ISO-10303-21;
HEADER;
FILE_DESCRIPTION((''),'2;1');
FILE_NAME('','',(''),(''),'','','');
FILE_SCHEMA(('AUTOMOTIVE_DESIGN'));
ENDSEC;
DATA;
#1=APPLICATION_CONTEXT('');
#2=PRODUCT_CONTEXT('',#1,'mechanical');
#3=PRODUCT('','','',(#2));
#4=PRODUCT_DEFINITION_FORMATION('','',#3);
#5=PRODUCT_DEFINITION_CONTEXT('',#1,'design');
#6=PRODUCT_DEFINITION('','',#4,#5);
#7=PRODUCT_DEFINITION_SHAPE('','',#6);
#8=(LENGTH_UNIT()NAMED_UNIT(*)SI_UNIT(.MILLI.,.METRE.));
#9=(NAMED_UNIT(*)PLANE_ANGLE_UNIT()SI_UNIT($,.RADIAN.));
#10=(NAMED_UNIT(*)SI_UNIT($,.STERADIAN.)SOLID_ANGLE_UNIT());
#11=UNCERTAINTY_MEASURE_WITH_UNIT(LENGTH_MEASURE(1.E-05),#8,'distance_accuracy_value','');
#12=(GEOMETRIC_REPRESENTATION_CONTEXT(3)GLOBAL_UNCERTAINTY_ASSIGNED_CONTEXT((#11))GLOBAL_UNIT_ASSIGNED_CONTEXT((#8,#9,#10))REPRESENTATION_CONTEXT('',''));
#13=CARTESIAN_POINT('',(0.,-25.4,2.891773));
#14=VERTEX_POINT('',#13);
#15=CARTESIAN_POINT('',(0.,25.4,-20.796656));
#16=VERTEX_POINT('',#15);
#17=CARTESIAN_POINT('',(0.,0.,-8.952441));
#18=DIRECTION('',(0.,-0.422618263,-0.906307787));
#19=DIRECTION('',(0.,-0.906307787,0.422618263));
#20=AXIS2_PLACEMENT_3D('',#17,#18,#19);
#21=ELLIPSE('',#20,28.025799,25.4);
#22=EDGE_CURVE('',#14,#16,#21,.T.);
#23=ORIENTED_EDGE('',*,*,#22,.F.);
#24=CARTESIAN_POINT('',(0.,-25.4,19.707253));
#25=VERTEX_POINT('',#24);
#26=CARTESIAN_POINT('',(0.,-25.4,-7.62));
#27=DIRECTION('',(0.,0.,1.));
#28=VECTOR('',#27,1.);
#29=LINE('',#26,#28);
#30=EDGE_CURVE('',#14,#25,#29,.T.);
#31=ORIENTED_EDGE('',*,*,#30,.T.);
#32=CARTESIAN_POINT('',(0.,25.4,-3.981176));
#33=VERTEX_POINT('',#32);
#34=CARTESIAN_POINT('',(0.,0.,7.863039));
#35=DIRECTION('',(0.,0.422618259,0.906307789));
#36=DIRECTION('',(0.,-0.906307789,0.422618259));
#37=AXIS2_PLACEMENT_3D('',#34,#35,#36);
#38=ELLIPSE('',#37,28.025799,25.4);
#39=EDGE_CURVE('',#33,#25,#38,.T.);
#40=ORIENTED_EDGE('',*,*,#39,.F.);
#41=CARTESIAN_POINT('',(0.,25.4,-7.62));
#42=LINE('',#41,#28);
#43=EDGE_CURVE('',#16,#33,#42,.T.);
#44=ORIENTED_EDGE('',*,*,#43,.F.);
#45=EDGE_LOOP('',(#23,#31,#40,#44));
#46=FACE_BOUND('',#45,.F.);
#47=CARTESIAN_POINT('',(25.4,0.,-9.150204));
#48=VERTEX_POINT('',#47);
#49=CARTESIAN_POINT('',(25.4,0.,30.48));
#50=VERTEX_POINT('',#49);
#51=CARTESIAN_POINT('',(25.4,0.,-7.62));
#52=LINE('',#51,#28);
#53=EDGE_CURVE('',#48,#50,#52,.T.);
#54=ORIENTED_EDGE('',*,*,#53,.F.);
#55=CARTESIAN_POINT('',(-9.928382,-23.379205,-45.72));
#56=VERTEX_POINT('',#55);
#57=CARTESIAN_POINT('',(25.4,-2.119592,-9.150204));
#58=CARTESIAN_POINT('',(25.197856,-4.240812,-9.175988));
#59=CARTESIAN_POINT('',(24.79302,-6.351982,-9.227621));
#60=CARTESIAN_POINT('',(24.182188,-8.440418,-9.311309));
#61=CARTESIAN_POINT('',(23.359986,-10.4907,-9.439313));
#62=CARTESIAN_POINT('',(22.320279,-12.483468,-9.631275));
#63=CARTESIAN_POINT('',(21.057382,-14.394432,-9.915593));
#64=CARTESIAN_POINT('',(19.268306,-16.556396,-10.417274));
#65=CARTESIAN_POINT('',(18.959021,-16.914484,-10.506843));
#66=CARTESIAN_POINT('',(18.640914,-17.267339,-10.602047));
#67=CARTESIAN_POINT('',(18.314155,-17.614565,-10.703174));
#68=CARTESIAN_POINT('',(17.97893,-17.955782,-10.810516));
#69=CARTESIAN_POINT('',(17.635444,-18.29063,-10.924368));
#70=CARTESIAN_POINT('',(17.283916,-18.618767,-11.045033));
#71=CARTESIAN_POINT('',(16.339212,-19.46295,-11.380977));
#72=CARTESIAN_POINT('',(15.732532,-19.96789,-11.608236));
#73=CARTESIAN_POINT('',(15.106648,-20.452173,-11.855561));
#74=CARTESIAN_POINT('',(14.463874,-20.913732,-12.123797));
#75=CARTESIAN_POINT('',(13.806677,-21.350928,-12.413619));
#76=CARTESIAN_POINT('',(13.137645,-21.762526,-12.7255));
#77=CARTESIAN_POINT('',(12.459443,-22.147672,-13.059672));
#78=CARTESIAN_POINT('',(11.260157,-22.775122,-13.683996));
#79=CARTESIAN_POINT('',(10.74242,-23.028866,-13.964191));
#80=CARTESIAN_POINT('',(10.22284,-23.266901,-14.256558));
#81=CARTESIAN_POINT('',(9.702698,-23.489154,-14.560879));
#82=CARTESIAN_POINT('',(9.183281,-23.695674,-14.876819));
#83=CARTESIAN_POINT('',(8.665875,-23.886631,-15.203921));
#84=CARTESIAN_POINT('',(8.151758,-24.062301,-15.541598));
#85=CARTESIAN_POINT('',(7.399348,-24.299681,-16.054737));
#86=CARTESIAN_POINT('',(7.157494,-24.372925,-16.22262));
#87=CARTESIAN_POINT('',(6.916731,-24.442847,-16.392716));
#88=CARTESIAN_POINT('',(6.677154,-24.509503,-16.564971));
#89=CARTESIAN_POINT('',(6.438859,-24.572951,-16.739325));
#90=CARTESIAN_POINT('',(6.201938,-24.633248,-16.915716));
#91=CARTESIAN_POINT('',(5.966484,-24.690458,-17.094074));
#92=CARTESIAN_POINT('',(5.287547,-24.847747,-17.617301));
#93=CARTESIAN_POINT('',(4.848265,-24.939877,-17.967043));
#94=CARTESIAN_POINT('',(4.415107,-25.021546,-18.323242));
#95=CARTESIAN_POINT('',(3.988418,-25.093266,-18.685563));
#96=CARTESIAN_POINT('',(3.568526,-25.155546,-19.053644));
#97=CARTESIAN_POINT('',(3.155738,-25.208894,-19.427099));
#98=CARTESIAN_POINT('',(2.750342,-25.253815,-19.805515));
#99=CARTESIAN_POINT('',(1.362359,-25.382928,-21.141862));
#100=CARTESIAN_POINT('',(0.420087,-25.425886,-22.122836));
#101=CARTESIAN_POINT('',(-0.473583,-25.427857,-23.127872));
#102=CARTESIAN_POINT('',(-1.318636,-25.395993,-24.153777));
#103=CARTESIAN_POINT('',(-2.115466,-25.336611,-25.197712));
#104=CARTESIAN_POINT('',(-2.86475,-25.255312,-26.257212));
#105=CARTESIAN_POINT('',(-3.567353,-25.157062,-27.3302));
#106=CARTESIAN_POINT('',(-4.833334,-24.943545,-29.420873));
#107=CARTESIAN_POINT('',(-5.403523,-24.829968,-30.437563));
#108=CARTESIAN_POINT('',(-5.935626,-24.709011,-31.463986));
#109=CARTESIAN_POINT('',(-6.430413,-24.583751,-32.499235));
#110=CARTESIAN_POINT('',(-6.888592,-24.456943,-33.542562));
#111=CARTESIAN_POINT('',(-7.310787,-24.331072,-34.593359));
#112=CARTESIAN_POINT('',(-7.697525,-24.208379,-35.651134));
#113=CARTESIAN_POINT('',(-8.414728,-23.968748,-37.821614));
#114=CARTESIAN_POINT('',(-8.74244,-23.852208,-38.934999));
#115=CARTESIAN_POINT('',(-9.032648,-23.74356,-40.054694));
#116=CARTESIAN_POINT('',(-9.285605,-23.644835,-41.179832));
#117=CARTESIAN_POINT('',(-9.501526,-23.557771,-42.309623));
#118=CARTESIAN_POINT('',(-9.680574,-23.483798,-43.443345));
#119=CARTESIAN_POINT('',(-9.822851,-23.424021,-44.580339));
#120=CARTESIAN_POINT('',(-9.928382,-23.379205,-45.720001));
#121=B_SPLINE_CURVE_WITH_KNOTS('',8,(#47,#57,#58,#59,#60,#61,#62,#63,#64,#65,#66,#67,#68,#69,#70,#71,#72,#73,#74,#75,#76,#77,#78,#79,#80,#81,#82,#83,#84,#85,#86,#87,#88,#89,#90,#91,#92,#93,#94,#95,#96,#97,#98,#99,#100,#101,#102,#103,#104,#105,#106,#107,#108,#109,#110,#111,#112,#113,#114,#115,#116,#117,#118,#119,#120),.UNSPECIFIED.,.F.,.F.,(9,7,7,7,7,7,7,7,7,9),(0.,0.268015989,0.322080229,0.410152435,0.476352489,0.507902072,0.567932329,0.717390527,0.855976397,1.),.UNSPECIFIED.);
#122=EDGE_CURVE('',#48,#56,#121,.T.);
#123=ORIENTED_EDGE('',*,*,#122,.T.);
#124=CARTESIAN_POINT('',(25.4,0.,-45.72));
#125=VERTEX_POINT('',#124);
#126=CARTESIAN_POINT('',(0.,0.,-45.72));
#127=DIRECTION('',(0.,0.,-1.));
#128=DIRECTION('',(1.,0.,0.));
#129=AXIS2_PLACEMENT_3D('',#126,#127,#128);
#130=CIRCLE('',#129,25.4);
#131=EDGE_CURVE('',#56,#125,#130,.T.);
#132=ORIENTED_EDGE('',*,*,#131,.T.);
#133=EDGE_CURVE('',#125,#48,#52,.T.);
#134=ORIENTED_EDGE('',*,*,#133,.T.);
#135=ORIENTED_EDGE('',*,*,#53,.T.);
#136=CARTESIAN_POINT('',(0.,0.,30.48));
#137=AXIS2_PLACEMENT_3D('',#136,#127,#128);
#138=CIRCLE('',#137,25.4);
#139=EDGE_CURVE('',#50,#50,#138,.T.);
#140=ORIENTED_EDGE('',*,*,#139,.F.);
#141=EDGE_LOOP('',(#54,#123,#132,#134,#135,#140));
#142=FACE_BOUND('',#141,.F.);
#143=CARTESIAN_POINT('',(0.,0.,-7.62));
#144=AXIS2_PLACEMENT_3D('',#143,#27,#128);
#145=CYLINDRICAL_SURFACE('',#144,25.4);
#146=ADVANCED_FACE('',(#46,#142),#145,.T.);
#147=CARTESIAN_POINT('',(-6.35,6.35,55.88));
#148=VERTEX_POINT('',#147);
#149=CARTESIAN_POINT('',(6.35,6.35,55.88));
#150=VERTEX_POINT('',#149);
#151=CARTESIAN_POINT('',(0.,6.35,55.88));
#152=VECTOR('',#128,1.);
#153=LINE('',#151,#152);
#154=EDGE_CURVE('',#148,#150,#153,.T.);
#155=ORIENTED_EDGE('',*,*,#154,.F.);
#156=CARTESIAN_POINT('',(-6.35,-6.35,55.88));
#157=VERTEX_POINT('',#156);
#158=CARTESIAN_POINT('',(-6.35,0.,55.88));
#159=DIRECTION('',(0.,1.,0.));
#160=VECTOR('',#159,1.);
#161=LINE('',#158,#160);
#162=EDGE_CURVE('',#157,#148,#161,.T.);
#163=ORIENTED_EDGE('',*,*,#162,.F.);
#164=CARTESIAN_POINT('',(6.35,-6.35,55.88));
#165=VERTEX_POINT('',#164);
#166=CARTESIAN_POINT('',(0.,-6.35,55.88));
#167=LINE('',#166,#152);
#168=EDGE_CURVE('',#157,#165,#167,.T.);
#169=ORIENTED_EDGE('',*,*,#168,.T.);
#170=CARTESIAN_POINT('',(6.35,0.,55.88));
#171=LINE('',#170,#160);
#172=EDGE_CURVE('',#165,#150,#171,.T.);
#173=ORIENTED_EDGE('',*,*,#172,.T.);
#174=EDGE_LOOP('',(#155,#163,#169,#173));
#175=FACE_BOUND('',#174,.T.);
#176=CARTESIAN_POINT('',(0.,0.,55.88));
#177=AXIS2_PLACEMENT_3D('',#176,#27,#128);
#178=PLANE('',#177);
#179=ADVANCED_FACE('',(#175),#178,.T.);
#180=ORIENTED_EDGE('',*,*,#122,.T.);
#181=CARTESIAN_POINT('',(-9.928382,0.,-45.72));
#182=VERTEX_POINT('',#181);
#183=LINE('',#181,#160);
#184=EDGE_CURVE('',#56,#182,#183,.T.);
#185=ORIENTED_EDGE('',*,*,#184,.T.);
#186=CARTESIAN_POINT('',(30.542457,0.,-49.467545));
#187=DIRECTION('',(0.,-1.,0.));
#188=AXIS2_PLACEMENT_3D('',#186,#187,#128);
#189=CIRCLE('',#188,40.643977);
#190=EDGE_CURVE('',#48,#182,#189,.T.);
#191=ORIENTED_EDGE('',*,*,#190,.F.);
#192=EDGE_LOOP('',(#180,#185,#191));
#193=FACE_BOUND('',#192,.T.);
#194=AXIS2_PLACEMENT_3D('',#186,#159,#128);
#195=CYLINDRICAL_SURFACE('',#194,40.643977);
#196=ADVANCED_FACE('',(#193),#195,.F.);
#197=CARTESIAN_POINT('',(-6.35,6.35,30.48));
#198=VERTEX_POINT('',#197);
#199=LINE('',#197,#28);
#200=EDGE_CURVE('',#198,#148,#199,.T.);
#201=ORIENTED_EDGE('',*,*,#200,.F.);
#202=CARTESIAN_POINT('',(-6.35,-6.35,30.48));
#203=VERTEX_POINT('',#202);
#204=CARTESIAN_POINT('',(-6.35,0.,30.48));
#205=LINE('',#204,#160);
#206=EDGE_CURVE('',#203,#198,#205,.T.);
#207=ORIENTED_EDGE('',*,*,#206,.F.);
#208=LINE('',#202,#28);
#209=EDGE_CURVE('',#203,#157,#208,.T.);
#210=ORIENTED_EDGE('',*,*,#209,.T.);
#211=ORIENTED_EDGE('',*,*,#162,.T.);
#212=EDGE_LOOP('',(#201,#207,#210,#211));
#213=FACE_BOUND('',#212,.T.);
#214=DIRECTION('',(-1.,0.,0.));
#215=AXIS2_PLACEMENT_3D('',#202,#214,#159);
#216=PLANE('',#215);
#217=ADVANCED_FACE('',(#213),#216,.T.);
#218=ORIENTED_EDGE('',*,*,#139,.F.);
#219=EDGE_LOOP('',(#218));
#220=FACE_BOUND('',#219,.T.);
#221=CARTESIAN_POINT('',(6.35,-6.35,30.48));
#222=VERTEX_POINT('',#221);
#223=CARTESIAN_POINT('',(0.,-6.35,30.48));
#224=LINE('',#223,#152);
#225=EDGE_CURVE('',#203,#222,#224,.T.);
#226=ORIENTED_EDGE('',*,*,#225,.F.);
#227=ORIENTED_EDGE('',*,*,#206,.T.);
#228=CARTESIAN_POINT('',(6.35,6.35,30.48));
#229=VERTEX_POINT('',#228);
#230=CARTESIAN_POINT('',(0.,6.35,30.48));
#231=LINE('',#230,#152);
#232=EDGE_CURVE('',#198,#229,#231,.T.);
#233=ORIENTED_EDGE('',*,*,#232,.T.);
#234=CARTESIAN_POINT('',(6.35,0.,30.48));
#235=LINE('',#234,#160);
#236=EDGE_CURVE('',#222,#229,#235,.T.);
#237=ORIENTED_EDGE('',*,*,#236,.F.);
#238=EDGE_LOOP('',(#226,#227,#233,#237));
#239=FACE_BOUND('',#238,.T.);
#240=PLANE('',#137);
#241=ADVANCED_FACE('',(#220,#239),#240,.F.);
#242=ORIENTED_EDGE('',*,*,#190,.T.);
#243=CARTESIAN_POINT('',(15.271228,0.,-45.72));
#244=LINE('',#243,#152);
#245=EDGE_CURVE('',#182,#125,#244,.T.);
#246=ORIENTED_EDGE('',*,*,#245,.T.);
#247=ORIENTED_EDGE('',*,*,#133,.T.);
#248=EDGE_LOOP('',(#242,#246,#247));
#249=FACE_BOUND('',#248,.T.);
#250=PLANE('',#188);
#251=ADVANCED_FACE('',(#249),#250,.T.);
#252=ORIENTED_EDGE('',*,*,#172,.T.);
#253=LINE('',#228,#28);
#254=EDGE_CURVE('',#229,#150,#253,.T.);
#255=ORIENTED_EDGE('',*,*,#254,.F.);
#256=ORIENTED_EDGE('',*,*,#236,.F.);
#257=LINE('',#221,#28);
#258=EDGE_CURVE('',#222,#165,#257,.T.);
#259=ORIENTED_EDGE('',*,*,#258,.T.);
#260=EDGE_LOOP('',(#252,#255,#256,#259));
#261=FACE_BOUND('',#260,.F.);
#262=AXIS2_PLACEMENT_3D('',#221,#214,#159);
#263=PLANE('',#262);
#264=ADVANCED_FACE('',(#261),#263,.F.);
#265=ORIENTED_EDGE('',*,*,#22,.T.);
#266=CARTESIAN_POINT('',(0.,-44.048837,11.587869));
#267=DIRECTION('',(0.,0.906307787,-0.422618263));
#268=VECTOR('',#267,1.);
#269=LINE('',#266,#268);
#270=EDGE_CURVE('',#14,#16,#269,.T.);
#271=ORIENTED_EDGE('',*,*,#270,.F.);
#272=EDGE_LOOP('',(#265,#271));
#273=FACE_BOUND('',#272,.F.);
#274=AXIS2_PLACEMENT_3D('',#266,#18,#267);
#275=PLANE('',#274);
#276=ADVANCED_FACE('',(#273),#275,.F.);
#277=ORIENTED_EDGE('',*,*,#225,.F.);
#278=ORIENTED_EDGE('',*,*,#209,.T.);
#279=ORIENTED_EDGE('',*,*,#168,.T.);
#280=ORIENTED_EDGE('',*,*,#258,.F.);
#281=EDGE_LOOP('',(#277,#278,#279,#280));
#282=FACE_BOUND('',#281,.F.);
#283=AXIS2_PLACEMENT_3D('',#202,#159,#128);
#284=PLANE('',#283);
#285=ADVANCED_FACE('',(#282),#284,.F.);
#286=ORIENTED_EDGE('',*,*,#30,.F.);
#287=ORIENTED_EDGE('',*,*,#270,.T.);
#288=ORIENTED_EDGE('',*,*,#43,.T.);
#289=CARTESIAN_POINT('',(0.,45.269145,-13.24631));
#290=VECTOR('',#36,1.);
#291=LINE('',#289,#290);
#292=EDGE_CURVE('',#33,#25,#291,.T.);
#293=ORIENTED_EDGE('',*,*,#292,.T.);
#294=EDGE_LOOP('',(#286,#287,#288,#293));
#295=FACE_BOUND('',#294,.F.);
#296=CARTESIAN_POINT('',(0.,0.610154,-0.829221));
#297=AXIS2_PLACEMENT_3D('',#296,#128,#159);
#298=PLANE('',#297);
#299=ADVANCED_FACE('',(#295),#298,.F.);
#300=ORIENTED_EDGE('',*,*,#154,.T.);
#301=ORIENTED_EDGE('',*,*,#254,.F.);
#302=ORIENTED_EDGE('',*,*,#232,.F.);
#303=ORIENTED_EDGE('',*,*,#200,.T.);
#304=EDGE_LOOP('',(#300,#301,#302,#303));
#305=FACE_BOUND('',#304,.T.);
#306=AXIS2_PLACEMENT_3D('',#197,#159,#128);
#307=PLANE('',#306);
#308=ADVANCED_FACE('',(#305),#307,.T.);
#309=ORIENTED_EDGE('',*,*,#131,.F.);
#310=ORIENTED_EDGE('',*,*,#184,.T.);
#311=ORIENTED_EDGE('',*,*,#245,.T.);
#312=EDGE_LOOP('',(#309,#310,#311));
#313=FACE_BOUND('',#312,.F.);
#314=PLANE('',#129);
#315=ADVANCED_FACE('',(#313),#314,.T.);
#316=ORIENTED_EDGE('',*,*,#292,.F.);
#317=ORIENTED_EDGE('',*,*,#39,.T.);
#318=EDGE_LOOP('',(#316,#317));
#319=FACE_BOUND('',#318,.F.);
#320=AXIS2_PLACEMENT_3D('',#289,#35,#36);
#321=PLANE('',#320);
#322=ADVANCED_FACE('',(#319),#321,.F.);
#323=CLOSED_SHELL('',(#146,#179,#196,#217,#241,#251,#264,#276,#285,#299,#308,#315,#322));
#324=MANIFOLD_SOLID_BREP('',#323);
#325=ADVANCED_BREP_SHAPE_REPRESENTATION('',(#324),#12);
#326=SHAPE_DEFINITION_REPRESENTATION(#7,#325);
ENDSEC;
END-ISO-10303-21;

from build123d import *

# Parameters (mm, degrees)
F0_W     = 25.4
F0_H     = 76.2
F3_DEPTH = 58.42
F4_W     = 12.7
F4_H     = 12.7
F5_DEPTH = 25.4
F6_R     = 40.643977
F7_DEPTH = 87.884


with BuildPart() as f1:
    # F0 (on Front) → F1 (revolve)
    with BuildSketch(Plane.XZ):
        with Locations((12.7, -7.62)):
            Rectangle(F0_W, F0_H)
    revolve(axis=Axis((0, 0, -7.62), (0, 0, -1)))

    # F2 (on Right) → F3 (cut)
    with BuildSketch(Plane.YZ):
        Polygon((45.269145, -13.24631), (-37.608135, 25.4), (-44.048837, 11.587869), (38.828442, -27.058441), align=None)
    extrude(amount=-F3_DEPTH, mode=Mode.SUBTRACT)

    # F4 (on face) → F5 (join)
    with BuildSketch(Plane.XY.offset(30.48)):
        Rectangle(F4_W, F4_H)
    extrude(amount=F5_DEPTH)

    # F6 (on Front) → F7 (cut)
    with BuildSketch(Plane.XZ):
        with Locations((30.542457, -49.467545)):
            Circle(F6_R)
    extrude(amount=F7_DEPTH, mode=Mode.SUBTRACT)


solid = f1.part
